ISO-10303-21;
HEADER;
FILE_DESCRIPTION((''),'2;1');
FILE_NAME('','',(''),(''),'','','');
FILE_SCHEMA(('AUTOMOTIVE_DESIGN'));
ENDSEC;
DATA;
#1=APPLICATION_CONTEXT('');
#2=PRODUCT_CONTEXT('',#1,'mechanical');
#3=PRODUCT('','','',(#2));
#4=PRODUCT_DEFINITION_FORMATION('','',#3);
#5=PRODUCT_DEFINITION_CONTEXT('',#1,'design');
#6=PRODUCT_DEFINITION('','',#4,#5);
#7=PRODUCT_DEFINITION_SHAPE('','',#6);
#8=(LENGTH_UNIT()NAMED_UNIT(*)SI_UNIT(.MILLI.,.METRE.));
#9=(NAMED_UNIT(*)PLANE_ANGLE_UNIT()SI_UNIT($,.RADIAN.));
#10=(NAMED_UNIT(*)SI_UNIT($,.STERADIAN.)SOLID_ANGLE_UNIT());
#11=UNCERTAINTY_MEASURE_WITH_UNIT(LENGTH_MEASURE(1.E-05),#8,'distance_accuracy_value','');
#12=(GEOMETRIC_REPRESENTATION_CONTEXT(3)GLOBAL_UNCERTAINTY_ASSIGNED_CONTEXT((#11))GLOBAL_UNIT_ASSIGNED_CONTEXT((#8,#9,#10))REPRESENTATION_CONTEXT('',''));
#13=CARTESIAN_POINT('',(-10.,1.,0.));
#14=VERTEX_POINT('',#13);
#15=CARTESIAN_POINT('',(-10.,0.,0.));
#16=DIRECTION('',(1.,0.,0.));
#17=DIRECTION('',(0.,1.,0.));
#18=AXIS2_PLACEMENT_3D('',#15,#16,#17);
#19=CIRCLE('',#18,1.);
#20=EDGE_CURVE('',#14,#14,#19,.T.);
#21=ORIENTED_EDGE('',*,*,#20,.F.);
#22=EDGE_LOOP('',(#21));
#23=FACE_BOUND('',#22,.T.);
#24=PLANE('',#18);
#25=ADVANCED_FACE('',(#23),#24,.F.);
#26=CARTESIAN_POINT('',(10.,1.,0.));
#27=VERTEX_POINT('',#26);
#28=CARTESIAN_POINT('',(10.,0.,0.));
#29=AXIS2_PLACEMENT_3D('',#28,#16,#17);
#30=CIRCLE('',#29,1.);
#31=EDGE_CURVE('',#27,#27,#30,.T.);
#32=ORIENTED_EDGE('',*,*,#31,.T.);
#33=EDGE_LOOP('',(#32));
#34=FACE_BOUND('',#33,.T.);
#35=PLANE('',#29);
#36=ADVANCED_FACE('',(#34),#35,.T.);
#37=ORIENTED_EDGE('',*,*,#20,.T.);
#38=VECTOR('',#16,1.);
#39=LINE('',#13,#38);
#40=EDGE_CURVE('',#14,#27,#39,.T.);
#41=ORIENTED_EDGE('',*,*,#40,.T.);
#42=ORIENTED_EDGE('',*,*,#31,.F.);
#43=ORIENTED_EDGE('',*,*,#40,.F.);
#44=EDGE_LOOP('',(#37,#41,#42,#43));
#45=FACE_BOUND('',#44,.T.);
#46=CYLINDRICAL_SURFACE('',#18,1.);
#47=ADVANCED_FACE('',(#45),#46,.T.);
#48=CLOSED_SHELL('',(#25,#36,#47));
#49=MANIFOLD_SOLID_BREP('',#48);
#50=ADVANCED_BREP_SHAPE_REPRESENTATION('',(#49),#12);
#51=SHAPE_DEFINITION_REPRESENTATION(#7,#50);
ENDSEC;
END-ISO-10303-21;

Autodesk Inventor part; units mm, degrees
ref_plane "YZ Plane" through (0, 0, 0) normal (1, 0, 0) x (0, 1, 0)
ref_plane "XZ Plane" through (0, 0, 0) normal (0, 1, 0) x (-1, 0, 0)
ref_plane "XY Plane" through (0, 0, 0) normal (0, 0, 1) x (1, 0, 0)
sketch "Skizze3" plane through (0, 0, 0) normal (0, 0, 1) x (1, 0, 0)
  line L0 (-16.2553, 0) -> (16.2553, 0)
  line L1 (-10, 0) -> (-10, 1)
  line L2 (-10, 1) -> (10, 1)
  line L3 (10, 1) -> (10, 0)
  point P0 (0, 0)
  point P1 (0, 0)
  point P2 (0, 1)
  dimension "d4" = 2
  dimension "d5" = 20
revolve "Umdrehung1" add sketch "Skizze3" angle 360 about axis through (-16.2553, 0, 0) along (1, 0, 0)
properties part number "BT805_goteln20_22" material "Edelstahl"
